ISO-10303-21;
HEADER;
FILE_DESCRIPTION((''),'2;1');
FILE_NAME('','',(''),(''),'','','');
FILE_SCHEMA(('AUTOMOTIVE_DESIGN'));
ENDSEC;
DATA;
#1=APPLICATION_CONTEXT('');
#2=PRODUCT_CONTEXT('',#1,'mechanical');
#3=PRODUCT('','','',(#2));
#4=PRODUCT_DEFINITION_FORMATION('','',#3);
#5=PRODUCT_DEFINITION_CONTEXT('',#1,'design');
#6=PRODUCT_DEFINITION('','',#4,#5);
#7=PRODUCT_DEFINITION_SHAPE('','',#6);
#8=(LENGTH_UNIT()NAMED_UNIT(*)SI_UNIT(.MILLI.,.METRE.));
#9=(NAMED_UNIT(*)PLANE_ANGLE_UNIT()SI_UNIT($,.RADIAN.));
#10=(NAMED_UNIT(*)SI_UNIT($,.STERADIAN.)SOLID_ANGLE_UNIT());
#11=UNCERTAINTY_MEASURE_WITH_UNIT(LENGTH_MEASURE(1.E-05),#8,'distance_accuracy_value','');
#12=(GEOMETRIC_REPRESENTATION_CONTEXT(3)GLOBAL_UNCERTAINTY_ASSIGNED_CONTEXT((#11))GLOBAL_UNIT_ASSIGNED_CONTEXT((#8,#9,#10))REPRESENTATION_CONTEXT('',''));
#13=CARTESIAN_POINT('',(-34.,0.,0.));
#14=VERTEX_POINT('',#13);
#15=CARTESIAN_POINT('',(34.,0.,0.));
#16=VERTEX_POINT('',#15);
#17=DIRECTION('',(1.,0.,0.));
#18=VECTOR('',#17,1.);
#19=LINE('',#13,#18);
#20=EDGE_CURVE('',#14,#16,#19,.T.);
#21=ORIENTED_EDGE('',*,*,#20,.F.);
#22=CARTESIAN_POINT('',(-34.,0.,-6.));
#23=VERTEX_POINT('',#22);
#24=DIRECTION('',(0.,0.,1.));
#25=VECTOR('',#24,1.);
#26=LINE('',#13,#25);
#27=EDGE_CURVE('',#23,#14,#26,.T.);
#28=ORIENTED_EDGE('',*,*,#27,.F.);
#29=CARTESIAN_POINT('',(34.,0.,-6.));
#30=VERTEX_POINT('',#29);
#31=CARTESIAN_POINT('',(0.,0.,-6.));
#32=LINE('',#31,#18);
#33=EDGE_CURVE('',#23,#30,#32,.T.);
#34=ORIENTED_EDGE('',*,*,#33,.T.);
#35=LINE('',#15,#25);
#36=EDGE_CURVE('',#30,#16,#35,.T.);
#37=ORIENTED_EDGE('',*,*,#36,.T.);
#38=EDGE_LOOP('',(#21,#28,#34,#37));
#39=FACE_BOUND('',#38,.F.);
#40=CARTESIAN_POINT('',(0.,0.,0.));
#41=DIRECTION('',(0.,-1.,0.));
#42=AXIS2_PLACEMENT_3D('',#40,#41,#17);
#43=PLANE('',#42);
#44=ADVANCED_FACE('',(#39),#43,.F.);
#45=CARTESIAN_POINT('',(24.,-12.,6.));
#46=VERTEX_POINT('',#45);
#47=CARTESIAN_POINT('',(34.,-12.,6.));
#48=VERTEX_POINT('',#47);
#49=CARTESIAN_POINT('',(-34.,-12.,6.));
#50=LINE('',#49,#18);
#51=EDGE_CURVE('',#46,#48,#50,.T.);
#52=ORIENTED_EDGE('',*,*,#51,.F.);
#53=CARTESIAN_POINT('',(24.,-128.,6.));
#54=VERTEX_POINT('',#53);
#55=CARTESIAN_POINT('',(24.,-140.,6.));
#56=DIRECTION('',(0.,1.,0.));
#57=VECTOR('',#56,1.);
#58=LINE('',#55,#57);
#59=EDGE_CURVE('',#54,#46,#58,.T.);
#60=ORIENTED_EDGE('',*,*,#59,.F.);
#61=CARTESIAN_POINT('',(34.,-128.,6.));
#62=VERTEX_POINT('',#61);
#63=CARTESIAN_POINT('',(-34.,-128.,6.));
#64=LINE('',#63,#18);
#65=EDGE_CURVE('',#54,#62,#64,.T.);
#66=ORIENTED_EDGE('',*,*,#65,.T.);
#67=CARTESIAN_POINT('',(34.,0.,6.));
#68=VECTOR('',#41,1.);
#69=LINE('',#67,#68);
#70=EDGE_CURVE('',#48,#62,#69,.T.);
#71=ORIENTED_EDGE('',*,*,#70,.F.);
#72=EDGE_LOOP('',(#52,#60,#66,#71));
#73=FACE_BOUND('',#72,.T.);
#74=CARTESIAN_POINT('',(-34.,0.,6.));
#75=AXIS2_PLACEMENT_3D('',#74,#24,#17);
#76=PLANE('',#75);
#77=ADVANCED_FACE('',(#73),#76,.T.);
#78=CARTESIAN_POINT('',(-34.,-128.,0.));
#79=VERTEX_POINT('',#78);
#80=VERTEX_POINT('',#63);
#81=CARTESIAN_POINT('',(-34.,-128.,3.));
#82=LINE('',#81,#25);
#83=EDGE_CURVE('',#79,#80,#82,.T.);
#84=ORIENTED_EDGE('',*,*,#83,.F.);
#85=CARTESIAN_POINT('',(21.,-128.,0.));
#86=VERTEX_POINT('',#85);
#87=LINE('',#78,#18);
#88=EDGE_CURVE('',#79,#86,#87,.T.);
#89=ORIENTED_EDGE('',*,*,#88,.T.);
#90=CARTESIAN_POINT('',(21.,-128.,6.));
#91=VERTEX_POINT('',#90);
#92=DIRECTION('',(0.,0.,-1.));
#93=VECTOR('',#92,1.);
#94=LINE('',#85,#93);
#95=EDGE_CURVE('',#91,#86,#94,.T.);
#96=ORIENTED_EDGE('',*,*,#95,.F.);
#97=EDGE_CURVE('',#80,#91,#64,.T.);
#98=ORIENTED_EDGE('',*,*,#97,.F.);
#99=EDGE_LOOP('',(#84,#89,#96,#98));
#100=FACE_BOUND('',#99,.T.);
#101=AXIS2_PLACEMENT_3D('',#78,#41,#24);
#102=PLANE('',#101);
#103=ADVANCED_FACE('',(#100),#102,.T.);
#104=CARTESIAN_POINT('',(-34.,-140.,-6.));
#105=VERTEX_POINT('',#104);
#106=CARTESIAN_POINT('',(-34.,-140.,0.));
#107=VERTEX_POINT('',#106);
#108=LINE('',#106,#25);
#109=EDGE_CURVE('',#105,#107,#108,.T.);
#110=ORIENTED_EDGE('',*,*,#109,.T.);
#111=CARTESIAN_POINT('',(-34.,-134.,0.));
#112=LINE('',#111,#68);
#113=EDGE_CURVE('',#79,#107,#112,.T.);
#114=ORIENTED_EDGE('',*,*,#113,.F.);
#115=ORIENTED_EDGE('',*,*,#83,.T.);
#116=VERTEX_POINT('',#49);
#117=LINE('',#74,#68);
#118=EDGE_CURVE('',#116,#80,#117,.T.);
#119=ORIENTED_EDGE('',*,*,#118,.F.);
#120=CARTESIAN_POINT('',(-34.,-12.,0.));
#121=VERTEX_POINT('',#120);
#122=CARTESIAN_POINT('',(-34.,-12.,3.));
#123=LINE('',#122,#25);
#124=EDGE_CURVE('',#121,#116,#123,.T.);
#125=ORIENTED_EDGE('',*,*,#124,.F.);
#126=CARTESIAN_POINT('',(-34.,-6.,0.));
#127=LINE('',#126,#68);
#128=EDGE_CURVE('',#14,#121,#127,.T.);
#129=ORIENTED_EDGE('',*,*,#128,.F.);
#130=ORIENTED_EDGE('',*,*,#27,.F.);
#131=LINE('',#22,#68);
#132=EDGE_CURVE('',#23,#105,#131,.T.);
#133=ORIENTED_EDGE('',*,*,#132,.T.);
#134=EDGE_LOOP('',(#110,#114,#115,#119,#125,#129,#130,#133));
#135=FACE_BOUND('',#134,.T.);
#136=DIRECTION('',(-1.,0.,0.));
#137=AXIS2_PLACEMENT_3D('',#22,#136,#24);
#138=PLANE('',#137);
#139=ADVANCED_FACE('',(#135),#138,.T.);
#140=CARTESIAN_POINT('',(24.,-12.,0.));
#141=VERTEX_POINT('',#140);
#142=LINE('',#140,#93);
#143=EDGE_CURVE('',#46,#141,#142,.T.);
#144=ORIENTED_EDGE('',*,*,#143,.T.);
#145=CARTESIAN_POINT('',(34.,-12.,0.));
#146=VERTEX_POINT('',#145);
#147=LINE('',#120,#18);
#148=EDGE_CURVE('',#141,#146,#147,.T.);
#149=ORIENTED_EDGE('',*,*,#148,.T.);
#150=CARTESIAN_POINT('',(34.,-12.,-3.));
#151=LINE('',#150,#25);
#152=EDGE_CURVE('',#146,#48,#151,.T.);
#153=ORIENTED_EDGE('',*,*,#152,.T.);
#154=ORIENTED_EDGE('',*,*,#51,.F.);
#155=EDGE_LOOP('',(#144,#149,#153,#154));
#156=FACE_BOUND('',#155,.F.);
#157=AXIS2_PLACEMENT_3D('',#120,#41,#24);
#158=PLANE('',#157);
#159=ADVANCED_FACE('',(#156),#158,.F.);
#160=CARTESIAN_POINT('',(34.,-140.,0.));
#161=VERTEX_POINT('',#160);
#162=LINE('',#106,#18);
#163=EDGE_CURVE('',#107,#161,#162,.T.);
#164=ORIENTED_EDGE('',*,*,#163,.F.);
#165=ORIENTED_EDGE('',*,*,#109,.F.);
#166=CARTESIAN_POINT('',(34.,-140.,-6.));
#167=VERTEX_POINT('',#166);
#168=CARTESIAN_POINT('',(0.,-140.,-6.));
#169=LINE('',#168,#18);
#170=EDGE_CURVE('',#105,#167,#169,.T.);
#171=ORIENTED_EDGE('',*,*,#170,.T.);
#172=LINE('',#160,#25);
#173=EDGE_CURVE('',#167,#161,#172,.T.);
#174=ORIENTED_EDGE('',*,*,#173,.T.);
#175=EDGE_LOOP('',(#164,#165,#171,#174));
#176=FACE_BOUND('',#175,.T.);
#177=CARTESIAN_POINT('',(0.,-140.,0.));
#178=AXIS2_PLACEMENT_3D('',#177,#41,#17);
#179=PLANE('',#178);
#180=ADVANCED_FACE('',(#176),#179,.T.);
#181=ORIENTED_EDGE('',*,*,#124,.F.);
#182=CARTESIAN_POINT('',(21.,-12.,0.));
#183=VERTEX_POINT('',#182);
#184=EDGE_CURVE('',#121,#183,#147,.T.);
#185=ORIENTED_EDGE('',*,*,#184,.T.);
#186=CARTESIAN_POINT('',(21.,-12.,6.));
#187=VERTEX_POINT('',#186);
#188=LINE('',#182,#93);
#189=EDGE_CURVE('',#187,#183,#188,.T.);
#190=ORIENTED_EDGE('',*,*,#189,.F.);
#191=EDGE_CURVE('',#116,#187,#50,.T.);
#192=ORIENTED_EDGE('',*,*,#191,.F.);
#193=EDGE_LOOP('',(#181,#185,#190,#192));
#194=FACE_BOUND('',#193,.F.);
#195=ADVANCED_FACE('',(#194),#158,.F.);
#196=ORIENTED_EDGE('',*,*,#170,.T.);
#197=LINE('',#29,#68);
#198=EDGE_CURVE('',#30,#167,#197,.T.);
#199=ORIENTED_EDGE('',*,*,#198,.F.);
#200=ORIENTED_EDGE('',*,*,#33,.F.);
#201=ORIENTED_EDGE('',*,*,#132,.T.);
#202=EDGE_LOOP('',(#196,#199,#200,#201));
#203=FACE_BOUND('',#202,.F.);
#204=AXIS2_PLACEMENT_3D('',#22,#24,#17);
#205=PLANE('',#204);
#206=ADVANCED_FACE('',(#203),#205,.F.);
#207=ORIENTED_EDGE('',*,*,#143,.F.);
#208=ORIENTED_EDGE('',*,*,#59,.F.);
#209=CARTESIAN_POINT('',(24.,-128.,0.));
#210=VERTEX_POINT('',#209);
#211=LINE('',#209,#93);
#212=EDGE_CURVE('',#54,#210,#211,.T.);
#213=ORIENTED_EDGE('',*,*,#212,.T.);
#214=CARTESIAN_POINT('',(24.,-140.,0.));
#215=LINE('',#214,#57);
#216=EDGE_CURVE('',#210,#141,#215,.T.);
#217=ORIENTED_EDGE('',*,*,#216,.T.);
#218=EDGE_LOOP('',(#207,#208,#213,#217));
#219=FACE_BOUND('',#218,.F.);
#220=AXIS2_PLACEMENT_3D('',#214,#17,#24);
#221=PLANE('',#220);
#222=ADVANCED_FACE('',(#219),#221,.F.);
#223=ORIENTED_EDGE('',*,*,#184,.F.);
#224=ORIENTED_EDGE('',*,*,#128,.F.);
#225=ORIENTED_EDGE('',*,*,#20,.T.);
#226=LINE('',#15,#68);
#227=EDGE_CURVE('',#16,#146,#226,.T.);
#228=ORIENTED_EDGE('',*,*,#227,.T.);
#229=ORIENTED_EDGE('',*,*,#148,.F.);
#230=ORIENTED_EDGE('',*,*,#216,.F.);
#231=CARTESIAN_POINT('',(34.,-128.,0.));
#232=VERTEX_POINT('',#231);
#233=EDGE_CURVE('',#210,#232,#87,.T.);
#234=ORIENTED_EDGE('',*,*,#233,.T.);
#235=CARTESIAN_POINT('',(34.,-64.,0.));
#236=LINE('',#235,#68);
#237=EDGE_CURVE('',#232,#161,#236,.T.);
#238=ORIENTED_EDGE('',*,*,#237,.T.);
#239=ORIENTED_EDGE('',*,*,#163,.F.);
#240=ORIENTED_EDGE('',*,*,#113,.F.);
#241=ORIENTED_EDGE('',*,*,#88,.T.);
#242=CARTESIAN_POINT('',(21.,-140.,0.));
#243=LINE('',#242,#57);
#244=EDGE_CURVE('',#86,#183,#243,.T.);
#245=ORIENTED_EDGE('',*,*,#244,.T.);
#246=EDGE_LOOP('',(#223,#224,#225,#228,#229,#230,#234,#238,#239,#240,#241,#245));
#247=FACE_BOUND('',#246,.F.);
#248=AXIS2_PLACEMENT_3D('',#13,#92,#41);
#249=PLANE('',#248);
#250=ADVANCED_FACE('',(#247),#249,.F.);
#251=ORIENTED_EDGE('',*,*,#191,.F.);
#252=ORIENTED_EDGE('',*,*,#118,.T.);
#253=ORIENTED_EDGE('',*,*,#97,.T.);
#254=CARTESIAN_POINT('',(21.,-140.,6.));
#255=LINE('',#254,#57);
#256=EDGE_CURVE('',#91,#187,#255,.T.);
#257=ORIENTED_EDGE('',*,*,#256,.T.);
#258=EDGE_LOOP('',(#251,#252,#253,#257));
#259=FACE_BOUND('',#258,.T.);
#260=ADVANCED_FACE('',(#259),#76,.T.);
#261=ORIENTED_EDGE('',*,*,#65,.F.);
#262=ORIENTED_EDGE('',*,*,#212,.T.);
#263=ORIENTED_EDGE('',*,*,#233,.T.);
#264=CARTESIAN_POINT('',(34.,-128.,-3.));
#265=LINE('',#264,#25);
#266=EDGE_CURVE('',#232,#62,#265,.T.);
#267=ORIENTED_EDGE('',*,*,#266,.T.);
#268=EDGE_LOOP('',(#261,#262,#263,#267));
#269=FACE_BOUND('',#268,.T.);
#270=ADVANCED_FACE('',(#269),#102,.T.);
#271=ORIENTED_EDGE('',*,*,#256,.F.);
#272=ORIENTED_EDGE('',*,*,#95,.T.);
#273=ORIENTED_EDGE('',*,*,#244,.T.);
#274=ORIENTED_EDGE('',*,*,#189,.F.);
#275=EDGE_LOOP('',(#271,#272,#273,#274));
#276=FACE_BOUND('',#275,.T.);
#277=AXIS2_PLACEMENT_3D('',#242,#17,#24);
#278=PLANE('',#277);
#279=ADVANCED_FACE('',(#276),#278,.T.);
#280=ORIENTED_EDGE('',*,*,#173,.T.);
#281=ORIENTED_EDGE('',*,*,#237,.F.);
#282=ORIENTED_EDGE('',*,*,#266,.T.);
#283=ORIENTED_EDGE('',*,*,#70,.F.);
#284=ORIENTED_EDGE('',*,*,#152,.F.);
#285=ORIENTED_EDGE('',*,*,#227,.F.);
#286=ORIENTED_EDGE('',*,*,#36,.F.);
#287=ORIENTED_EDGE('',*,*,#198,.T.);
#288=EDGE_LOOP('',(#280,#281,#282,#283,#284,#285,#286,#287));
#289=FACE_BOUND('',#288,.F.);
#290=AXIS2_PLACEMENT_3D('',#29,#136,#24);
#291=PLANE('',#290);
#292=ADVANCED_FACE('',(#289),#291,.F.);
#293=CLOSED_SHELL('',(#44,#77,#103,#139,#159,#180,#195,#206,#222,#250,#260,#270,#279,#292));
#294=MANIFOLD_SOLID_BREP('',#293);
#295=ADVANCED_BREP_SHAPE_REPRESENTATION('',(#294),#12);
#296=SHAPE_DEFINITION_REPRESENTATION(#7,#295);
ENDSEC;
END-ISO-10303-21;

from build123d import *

# Parameters (mm, degrees)
F0_W     = 68
F0_H     = 12
F1_DEPTH = 140
F2_W     = 3
F2_H     = 6
F3_DEPTH = 140
F4_W     = 12
F4_H     = 6
F5_DEPTH = 70


with BuildPart() as f1:
    # F0 (on Front) → F1 (new body)
    with BuildSketch(Plane.XZ):
        Rectangle(F0_W, F0_H)
    extrude(amount=F1_DEPTH)

    # F2 (on face) → F3 (cut)
    with BuildSketch(Plane.XZ.offset(140)):
        with Locations((22.5, 3)):
            Rectangle(F2_W, F2_H)
    extrude(amount=-F3_DEPTH, mode=Mode.SUBTRACT)

    # F4 (on face) → F5 (cut)
    with BuildSketch(Plane(origin=(-34, 0, 0), x_dir=(0, -1, 0), z_dir=(-1, 0, 0))):
        with Locations((6, 3)):
            Rectangle(F4_W, F4_H)
        with Locations((134, 3)):
            Rectangle(F4_W, F4_H)
    extrude(amount=-F5_DEPTH, mode=Mode.SUBTRACT)


solid = f1.part
